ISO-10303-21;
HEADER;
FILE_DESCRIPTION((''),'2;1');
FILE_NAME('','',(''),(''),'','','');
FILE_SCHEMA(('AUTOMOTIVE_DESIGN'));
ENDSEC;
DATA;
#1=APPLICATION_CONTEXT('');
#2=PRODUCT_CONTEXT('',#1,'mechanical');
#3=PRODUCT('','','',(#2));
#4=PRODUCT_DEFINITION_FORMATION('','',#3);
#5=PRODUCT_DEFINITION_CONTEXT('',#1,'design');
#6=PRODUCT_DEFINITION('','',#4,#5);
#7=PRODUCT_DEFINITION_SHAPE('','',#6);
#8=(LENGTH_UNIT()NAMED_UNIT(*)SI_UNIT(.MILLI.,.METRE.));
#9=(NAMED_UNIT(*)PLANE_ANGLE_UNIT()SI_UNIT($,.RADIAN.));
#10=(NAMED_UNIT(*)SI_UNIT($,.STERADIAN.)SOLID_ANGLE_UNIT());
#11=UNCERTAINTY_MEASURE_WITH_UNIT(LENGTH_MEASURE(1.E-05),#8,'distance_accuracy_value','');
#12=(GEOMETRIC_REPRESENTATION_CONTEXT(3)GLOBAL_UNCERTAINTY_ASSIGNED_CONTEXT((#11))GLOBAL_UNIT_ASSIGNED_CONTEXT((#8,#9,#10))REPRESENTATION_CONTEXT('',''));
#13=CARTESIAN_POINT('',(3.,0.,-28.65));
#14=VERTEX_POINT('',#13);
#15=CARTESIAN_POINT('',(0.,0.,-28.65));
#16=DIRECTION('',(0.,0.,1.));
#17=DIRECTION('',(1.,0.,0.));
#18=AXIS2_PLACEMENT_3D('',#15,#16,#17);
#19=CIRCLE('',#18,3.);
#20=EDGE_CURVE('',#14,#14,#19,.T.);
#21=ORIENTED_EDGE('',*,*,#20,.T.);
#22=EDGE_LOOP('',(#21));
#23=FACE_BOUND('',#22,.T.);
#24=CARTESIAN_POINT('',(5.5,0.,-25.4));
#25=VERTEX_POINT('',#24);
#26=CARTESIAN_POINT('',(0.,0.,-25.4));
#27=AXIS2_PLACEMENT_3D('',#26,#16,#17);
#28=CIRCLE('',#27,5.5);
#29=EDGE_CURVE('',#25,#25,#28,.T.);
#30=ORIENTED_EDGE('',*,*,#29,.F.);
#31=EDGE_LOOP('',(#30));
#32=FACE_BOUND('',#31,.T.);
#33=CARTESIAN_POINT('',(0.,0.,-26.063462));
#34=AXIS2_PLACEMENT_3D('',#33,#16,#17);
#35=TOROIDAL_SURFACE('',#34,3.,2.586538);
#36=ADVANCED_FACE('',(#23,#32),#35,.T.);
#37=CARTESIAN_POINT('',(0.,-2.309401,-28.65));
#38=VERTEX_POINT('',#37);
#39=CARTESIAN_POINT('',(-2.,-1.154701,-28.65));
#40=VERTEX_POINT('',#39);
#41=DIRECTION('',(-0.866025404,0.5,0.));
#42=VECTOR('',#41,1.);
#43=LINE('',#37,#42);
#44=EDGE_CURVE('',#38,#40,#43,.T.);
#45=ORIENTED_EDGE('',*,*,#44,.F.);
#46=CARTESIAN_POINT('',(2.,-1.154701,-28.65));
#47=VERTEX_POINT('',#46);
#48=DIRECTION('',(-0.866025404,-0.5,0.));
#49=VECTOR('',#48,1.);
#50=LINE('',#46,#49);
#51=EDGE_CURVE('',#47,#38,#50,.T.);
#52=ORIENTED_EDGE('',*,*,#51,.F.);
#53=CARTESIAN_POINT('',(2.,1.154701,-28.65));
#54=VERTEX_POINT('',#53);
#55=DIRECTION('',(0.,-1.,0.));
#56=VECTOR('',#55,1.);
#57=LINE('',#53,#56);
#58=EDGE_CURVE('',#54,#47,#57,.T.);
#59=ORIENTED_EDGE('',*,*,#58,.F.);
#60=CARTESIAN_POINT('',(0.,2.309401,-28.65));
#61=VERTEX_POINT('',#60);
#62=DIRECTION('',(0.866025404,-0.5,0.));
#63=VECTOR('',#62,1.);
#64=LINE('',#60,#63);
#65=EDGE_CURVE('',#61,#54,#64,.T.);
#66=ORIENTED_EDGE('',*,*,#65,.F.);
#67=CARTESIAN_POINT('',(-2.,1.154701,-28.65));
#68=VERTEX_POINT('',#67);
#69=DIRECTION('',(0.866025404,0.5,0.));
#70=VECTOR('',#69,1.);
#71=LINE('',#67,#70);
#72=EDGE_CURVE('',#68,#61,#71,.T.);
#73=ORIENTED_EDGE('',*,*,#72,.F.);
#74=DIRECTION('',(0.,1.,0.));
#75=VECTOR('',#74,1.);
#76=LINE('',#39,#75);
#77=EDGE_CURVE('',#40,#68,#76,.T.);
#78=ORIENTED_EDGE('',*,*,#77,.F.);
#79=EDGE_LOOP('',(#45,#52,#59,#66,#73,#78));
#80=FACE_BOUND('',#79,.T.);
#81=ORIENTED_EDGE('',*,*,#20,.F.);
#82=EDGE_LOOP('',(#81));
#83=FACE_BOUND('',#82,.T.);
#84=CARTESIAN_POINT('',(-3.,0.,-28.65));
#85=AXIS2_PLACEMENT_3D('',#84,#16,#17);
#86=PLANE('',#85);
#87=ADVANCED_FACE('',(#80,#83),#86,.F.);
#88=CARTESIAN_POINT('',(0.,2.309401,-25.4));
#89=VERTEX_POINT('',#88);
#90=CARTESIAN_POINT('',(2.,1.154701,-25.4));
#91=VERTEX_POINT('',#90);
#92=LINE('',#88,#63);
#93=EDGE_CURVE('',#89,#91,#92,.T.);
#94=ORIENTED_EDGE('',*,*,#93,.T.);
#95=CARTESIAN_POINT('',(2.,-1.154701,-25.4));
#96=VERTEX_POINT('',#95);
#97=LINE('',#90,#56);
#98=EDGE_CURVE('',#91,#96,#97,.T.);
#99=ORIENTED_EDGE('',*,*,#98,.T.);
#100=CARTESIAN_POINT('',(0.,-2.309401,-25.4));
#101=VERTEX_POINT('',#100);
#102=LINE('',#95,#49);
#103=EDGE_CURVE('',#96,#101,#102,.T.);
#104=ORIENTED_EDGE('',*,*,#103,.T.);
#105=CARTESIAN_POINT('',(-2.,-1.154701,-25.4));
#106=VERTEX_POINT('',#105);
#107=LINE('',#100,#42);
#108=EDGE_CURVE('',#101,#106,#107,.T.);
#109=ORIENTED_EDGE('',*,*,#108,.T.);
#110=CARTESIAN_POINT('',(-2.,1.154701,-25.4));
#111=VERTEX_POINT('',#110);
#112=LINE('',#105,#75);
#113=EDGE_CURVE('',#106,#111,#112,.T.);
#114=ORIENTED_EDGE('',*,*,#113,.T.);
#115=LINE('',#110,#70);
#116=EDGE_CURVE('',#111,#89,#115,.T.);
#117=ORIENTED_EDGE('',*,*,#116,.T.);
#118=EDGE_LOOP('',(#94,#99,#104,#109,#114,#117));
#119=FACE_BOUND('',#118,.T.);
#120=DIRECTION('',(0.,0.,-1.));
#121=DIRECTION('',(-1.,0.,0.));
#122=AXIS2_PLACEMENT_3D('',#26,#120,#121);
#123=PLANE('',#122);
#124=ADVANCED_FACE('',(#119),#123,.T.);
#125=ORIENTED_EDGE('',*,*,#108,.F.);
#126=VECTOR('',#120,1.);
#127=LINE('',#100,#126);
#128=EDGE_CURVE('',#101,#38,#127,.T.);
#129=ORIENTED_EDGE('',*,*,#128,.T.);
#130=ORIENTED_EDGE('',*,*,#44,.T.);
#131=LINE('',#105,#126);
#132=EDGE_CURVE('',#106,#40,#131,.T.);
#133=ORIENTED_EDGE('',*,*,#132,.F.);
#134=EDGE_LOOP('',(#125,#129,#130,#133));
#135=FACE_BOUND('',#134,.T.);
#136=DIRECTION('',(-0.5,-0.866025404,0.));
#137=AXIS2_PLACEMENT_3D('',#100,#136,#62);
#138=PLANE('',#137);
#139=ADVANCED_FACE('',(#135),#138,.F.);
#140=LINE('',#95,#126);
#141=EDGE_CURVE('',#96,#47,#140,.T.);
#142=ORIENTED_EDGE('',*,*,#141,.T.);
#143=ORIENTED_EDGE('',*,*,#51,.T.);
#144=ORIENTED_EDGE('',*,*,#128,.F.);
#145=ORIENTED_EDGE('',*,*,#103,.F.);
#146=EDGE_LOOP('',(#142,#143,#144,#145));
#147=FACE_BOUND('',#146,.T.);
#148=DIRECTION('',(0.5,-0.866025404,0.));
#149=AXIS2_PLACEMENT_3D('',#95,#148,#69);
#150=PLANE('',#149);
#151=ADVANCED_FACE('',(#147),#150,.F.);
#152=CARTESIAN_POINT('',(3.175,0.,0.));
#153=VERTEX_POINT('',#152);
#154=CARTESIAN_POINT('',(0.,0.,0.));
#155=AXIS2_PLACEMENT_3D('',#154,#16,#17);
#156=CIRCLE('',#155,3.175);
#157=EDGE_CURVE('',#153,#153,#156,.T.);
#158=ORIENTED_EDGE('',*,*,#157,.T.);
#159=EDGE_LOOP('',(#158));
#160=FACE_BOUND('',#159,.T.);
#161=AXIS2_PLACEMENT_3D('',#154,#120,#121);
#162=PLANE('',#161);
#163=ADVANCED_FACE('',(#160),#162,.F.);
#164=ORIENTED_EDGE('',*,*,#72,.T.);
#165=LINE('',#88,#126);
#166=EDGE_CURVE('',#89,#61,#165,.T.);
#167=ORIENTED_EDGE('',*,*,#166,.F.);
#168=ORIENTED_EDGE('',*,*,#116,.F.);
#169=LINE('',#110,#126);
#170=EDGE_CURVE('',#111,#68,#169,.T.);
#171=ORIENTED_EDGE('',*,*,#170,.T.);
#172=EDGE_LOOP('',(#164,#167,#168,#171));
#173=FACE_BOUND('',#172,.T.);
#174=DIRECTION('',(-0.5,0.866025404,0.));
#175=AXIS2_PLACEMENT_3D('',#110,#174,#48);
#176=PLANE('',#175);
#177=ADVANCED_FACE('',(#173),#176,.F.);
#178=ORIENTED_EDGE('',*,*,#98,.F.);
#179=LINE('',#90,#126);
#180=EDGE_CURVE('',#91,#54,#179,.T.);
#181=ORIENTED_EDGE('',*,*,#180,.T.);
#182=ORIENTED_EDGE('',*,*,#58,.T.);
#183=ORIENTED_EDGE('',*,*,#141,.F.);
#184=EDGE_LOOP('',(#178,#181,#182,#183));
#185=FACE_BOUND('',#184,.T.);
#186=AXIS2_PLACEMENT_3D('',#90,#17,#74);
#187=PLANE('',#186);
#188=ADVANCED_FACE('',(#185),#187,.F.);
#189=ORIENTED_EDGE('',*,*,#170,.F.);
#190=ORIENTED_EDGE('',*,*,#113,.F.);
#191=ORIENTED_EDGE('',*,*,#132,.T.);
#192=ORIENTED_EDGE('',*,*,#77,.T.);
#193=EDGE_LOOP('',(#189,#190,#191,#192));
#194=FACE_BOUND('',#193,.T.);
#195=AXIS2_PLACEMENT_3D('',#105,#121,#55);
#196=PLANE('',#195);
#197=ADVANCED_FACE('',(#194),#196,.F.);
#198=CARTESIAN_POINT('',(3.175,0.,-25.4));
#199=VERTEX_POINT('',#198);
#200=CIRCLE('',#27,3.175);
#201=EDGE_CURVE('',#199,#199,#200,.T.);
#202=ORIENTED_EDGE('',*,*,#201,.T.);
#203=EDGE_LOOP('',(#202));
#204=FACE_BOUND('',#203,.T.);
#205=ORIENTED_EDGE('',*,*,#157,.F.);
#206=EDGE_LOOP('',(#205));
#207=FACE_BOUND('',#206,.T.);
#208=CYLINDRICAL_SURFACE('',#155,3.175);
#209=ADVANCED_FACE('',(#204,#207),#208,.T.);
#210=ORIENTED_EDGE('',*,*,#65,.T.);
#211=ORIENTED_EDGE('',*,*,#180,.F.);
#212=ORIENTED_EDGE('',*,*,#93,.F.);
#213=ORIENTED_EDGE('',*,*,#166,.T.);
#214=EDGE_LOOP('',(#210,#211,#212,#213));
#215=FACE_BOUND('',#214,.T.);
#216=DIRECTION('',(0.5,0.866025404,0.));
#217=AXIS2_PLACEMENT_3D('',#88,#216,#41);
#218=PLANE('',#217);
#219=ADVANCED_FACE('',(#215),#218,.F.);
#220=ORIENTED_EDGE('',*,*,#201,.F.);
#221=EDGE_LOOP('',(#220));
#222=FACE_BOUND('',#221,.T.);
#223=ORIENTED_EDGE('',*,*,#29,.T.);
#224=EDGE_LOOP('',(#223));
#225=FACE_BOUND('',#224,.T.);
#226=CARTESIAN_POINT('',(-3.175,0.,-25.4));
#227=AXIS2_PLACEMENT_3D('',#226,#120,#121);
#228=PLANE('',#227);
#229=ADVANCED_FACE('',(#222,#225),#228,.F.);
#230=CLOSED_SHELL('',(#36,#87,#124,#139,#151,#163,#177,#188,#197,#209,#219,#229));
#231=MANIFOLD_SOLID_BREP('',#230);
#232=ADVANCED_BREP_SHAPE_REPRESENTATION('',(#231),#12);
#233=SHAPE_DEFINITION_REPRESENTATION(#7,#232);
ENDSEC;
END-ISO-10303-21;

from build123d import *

# Parameters (mm, degrees)
CUT_EXTRUDE1_DEPTH = 3.25


with BuildPart() as part:
    # Sketch1 → Revolve1 (revolve)
    with BuildSketch(Plane(origin=(0, 0, 0), x_dir=(1, 0, 0), z_dir=(0, 1, 0))):
        with BuildLine():
            Line((0, 0), (-3.175, 0))
            Line((-3.175, 0), (-3.175, 25.4))
            Line((-3.175, 25.4), (-5.5, 25.4))
            ThreePointArc((-5.5, 25.4), (-5.050152433, 27.640501872), (-3, 28.65))
            Line((-3, 28.65), (0, 28.65))
            Line((0, 28.65), (0, 0))
        make_face()
    revolve(axis=Axis((0, 0, 0), (0, 0, -1)))

    # Sketch2 → Cut-Extrude1 (cut)
    with BuildSketch(Plane(origin=(0, 0, -28.65), x_dir=(-1, 0, 0), z_dir=(0, 0, -1))):
        Polygon((0, -2.309401077), (2, -1.154700538), (2, 1.154700538), (0, 2.309401077), (-2, 1.154700538), (-2, -1.154700538), align=None)
    extrude(amount=-CUT_EXTRUDE1_DEPTH, mode=Mode.SUBTRACT)


solid = part.part
